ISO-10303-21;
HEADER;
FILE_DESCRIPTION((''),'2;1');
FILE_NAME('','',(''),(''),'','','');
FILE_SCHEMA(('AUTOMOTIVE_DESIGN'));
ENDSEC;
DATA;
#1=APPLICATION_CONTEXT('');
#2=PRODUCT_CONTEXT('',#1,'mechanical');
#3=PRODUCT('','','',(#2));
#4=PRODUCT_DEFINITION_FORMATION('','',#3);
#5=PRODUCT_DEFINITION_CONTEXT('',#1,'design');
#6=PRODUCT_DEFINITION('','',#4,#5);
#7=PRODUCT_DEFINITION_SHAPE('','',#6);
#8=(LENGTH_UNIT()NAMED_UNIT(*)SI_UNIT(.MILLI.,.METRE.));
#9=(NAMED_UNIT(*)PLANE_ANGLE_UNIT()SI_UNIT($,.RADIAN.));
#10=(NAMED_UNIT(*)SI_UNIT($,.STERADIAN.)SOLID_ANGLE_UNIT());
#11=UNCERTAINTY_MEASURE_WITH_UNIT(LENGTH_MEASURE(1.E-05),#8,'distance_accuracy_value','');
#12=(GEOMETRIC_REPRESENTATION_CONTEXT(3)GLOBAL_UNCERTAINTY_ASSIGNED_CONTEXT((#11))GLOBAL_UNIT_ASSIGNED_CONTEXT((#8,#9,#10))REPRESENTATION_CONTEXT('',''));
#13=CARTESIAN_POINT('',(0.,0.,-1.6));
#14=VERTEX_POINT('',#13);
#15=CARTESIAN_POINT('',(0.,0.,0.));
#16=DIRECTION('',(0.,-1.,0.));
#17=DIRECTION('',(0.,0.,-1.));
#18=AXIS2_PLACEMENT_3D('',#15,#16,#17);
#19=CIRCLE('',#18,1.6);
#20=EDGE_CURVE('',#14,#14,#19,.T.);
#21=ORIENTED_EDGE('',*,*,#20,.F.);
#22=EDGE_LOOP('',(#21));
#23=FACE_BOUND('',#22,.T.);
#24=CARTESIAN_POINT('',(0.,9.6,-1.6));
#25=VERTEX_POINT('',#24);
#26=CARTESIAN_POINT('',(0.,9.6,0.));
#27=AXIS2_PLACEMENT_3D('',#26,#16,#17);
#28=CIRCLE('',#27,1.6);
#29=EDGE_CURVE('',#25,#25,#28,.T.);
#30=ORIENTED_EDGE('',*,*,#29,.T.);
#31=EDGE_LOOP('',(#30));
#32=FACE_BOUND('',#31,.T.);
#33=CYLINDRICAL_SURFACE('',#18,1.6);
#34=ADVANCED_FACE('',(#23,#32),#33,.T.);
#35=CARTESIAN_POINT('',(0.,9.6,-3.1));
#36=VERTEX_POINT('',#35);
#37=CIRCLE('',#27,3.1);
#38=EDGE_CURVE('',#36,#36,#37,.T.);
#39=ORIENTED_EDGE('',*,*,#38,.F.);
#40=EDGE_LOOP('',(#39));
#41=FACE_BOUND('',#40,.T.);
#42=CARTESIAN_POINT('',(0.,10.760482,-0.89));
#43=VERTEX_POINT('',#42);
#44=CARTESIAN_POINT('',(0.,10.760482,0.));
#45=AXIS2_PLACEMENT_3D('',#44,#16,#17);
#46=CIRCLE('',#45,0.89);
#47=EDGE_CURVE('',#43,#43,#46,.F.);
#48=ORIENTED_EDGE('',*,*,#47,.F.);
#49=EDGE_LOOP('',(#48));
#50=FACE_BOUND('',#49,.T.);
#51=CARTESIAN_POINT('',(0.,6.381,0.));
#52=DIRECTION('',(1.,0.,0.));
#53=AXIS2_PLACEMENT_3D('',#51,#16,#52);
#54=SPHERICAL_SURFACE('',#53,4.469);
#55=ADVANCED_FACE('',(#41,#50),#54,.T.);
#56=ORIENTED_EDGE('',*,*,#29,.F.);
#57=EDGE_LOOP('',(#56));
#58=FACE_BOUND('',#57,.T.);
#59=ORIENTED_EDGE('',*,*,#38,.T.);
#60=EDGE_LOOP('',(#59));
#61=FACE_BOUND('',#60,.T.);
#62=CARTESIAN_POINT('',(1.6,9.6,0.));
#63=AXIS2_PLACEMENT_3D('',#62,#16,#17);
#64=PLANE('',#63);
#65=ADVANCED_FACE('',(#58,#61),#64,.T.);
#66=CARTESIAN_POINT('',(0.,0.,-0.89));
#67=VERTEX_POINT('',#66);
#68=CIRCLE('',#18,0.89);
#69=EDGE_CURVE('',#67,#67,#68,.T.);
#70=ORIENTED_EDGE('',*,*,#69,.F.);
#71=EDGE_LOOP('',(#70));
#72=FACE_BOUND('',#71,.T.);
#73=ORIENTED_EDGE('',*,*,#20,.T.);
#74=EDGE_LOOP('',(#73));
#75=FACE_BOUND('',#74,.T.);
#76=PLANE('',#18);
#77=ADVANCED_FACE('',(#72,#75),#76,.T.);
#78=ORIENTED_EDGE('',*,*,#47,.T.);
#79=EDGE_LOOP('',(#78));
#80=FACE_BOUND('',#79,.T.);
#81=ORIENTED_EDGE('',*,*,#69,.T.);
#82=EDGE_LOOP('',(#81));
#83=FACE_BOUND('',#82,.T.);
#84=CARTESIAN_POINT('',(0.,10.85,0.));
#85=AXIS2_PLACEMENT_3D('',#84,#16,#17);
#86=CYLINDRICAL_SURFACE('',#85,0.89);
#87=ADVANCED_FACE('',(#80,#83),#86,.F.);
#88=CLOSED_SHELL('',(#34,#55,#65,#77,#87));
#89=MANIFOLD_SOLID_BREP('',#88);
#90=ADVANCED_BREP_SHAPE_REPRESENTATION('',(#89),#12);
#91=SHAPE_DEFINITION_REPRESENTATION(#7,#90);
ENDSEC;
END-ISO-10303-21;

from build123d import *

# Parameters (mm, degrees)
SKETCH2_R          = 0.89
CUT_EXTRUDE1_DEPTH = 11.85


with BuildPart() as part:
    # Sketch1 → Revolve1 (revolve)
    with BuildSketch(Plane.XY):
        with BuildLine():
            Line((0, 0), (1.6, 0))
            Line((1.6, 0), (1.6, 9.6))
            Line((1.6, 9.6), (3.1, 9.6))
            ThreePointArc((3.1, 9.6), (1.671264491, 10.525735939), (0, 10.85))
            Line((0, 10.85), (0, 0))
        make_face()
    revolve(axis=Axis((0, 0, 0), (0, 1, 0)))

    # Sketch2 → Cut-Extrude1 (cut, through all)
    with BuildSketch(Plane.XZ):
        Circle(SKETCH2_R)
    extrude(amount=-CUT_EXTRUDE1_DEPTH, mode=Mode.SUBTRACT)


solid = part.part
